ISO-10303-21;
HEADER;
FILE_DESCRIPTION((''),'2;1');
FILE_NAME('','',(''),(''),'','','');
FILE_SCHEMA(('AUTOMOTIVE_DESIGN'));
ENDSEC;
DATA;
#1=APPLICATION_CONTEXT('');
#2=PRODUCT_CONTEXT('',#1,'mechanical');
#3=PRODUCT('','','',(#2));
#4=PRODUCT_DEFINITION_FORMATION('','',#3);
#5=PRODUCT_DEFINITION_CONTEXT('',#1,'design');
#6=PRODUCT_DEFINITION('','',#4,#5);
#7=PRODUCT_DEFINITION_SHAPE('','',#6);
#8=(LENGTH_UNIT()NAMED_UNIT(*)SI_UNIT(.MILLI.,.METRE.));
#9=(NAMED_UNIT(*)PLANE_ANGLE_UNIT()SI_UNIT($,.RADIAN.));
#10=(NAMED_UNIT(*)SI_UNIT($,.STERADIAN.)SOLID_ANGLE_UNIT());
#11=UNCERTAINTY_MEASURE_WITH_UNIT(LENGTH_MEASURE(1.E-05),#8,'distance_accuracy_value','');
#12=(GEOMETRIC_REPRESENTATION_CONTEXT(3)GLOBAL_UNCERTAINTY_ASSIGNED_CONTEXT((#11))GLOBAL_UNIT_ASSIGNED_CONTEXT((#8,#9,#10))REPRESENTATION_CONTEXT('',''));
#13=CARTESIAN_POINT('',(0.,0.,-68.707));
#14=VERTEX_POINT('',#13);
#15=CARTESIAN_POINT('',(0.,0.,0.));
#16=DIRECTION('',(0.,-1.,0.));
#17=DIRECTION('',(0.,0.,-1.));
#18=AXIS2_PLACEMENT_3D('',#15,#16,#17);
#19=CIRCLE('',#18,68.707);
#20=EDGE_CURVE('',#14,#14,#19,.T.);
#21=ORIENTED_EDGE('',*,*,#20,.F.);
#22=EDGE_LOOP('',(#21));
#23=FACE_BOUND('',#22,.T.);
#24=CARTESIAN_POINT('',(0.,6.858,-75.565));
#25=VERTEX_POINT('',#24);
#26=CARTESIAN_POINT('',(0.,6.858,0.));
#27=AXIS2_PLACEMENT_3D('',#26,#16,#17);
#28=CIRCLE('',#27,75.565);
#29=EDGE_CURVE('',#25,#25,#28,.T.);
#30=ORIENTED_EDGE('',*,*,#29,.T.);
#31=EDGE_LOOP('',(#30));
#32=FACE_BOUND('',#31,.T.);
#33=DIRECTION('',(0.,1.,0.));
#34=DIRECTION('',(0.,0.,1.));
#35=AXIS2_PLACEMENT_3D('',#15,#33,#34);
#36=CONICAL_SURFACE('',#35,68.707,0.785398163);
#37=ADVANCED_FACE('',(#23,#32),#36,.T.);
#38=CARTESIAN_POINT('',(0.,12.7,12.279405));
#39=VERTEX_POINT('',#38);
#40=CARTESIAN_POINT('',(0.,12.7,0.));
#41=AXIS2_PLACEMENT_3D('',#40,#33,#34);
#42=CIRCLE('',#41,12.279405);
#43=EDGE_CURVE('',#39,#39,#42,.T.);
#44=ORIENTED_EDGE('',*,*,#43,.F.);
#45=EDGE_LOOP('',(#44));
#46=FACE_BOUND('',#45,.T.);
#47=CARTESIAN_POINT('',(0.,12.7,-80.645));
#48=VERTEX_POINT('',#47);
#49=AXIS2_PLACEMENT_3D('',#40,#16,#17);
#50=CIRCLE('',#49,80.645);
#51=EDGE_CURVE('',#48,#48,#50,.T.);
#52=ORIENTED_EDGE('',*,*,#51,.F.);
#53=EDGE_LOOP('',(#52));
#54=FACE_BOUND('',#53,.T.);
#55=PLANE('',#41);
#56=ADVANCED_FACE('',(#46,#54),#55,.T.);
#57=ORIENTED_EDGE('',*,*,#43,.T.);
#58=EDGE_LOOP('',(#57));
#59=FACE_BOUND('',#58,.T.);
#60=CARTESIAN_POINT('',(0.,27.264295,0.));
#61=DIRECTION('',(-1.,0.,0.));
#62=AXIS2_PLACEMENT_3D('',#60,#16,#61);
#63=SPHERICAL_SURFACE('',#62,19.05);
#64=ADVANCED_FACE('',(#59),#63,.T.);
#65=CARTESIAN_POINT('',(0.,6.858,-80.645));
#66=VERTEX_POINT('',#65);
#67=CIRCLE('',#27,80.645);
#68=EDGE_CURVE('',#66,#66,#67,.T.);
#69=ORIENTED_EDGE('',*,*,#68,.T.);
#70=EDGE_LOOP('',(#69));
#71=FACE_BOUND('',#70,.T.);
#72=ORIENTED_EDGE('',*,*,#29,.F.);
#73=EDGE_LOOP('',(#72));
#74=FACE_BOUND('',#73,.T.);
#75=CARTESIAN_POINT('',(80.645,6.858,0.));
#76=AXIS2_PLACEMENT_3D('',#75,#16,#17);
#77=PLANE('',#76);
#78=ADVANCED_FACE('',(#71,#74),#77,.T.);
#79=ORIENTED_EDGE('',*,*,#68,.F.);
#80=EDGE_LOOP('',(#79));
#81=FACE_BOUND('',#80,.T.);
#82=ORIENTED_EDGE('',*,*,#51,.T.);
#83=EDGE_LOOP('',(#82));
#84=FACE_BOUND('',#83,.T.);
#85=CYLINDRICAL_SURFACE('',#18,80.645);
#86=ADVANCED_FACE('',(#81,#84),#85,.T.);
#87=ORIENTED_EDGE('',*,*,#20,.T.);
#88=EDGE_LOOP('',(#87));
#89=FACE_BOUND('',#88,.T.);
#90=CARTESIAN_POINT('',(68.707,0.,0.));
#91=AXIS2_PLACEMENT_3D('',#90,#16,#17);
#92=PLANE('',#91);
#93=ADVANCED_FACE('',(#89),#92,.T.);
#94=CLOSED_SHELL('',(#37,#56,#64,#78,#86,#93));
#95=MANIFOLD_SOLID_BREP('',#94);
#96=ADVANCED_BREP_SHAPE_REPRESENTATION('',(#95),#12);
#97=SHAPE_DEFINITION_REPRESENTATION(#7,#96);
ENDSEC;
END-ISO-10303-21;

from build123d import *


with BuildPart() as part:
    # Sketch1 → Revolve1 (revolve)
    with BuildSketch(Plane.XY, mode=Mode.PRIVATE) as revolve1_sk:
        Polygon((80.645, 12.7), (80.645, 6.858), (75.565, 6.858), (68.707, 0), (0, 0), (0, 12.7), align=None)
    revolve(revolve1_sk.sketch.rotate(Axis((0, 0, 0), (0, 1, 0)), 90), axis=Axis((0, 0, 0), (0, 1, 0)))

    # Sketch2 → Revolve2 (revolve)
    with BuildSketch(Plane.XY):
        with BuildLine():
            Line((0, 46.314295443), (0, 8.214295443))
            ThreePointArc((0, 8.214295443), (19.05, 27.264295443), (0, 46.314295443))
        make_face()
    revolve(axis=Axis((0, 0, 0), (0, 1, 0)))


solid = part.part
